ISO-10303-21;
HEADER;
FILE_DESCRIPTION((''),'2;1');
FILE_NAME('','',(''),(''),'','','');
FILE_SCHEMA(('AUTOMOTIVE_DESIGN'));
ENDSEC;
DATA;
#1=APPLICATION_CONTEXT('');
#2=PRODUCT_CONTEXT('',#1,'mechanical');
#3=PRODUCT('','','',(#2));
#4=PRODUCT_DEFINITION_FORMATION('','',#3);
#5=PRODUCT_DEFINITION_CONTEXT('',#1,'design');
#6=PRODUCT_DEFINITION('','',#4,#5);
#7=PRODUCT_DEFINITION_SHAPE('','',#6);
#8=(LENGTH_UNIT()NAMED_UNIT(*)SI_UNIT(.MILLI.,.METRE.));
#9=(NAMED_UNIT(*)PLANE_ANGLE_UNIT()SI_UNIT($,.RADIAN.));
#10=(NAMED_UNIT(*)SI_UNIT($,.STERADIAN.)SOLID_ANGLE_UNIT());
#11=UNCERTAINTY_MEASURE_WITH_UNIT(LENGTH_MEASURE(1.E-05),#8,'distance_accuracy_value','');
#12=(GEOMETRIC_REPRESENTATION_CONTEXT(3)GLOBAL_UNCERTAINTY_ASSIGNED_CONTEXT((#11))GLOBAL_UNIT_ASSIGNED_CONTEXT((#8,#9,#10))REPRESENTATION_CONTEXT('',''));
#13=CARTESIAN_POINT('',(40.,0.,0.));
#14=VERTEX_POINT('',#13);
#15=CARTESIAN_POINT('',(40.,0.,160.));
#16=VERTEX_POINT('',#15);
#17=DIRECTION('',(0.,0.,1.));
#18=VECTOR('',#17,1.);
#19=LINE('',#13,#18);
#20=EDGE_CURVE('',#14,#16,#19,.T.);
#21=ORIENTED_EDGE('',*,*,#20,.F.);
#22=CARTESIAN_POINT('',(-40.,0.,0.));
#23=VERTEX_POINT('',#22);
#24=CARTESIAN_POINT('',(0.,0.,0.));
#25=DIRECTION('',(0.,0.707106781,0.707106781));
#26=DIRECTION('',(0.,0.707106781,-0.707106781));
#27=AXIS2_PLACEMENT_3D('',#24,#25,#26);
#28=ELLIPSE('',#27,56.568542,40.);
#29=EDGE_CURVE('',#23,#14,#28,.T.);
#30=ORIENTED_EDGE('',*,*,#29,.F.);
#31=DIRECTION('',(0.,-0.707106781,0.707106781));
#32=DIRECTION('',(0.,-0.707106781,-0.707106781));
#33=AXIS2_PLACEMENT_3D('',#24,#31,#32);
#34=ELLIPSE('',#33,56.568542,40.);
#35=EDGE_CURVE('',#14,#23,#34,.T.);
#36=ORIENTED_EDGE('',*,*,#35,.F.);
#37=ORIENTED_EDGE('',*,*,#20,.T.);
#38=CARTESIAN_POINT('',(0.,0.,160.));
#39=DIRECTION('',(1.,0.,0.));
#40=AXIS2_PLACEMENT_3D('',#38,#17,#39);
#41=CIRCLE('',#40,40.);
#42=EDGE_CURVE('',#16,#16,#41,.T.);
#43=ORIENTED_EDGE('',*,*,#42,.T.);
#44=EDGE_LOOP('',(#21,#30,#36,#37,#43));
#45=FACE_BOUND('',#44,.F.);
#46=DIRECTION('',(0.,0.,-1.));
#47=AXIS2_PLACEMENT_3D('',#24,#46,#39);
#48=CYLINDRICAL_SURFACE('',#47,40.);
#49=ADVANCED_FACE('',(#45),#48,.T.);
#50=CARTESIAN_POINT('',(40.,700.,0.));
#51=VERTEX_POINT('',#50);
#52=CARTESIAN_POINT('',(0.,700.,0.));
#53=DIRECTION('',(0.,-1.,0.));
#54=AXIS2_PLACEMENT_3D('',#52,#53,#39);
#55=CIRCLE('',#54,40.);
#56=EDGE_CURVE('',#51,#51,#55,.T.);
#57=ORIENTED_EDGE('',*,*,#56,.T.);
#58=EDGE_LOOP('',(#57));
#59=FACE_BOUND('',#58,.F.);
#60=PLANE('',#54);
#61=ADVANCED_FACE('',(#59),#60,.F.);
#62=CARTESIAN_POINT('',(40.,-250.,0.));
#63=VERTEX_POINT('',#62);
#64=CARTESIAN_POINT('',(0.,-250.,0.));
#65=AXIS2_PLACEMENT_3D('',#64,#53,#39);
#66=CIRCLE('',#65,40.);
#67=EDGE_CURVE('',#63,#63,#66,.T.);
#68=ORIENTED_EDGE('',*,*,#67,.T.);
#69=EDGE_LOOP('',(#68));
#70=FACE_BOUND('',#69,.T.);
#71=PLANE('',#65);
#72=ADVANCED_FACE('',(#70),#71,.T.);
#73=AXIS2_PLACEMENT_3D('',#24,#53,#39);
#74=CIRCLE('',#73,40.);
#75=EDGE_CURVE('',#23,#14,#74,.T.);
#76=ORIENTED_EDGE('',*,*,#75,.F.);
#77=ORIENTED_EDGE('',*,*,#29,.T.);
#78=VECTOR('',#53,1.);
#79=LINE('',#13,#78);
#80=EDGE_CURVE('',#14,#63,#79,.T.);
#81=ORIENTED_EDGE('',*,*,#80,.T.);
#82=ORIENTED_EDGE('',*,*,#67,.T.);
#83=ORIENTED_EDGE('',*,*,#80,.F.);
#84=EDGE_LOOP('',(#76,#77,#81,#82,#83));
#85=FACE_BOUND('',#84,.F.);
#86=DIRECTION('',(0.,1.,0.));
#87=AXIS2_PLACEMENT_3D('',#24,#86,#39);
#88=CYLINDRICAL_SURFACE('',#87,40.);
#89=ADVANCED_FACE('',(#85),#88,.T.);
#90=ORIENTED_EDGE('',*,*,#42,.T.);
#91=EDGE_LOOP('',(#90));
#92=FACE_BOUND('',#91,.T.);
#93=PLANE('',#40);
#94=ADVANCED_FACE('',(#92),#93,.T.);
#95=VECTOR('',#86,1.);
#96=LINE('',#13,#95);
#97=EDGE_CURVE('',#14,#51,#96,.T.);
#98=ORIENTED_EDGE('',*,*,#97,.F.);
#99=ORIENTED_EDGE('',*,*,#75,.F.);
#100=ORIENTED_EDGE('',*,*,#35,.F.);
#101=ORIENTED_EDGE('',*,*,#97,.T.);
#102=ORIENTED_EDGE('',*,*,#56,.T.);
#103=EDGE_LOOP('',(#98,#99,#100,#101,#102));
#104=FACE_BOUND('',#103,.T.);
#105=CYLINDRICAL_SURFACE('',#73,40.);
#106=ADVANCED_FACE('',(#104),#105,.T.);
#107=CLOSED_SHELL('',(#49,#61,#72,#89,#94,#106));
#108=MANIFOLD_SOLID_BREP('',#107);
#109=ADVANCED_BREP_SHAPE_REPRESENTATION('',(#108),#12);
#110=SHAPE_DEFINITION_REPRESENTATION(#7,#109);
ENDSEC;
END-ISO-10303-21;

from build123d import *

# Parameters (mm, degrees)
F0_R          = 40
F1_DEPTH      = 700
F1_DEPTH_BACK = 250
F2_R          = 40
F3_DEPTH      = 160


with BuildPart() as f1:
    # F0 (on Front) → F1 (new body, two sides)
    with BuildSketch(Plane.XZ) as f1_sk:
        Circle(F0_R)
    extrude(amount=-F1_DEPTH)
    extrude(f1_sk.sketch, amount=F1_DEPTH_BACK)

    # F2 (on Top) → F3 (join)
    with BuildSketch(Plane.XY):
        Circle(F2_R)
    extrude(amount=F3_DEPTH)


solid = f1.part
